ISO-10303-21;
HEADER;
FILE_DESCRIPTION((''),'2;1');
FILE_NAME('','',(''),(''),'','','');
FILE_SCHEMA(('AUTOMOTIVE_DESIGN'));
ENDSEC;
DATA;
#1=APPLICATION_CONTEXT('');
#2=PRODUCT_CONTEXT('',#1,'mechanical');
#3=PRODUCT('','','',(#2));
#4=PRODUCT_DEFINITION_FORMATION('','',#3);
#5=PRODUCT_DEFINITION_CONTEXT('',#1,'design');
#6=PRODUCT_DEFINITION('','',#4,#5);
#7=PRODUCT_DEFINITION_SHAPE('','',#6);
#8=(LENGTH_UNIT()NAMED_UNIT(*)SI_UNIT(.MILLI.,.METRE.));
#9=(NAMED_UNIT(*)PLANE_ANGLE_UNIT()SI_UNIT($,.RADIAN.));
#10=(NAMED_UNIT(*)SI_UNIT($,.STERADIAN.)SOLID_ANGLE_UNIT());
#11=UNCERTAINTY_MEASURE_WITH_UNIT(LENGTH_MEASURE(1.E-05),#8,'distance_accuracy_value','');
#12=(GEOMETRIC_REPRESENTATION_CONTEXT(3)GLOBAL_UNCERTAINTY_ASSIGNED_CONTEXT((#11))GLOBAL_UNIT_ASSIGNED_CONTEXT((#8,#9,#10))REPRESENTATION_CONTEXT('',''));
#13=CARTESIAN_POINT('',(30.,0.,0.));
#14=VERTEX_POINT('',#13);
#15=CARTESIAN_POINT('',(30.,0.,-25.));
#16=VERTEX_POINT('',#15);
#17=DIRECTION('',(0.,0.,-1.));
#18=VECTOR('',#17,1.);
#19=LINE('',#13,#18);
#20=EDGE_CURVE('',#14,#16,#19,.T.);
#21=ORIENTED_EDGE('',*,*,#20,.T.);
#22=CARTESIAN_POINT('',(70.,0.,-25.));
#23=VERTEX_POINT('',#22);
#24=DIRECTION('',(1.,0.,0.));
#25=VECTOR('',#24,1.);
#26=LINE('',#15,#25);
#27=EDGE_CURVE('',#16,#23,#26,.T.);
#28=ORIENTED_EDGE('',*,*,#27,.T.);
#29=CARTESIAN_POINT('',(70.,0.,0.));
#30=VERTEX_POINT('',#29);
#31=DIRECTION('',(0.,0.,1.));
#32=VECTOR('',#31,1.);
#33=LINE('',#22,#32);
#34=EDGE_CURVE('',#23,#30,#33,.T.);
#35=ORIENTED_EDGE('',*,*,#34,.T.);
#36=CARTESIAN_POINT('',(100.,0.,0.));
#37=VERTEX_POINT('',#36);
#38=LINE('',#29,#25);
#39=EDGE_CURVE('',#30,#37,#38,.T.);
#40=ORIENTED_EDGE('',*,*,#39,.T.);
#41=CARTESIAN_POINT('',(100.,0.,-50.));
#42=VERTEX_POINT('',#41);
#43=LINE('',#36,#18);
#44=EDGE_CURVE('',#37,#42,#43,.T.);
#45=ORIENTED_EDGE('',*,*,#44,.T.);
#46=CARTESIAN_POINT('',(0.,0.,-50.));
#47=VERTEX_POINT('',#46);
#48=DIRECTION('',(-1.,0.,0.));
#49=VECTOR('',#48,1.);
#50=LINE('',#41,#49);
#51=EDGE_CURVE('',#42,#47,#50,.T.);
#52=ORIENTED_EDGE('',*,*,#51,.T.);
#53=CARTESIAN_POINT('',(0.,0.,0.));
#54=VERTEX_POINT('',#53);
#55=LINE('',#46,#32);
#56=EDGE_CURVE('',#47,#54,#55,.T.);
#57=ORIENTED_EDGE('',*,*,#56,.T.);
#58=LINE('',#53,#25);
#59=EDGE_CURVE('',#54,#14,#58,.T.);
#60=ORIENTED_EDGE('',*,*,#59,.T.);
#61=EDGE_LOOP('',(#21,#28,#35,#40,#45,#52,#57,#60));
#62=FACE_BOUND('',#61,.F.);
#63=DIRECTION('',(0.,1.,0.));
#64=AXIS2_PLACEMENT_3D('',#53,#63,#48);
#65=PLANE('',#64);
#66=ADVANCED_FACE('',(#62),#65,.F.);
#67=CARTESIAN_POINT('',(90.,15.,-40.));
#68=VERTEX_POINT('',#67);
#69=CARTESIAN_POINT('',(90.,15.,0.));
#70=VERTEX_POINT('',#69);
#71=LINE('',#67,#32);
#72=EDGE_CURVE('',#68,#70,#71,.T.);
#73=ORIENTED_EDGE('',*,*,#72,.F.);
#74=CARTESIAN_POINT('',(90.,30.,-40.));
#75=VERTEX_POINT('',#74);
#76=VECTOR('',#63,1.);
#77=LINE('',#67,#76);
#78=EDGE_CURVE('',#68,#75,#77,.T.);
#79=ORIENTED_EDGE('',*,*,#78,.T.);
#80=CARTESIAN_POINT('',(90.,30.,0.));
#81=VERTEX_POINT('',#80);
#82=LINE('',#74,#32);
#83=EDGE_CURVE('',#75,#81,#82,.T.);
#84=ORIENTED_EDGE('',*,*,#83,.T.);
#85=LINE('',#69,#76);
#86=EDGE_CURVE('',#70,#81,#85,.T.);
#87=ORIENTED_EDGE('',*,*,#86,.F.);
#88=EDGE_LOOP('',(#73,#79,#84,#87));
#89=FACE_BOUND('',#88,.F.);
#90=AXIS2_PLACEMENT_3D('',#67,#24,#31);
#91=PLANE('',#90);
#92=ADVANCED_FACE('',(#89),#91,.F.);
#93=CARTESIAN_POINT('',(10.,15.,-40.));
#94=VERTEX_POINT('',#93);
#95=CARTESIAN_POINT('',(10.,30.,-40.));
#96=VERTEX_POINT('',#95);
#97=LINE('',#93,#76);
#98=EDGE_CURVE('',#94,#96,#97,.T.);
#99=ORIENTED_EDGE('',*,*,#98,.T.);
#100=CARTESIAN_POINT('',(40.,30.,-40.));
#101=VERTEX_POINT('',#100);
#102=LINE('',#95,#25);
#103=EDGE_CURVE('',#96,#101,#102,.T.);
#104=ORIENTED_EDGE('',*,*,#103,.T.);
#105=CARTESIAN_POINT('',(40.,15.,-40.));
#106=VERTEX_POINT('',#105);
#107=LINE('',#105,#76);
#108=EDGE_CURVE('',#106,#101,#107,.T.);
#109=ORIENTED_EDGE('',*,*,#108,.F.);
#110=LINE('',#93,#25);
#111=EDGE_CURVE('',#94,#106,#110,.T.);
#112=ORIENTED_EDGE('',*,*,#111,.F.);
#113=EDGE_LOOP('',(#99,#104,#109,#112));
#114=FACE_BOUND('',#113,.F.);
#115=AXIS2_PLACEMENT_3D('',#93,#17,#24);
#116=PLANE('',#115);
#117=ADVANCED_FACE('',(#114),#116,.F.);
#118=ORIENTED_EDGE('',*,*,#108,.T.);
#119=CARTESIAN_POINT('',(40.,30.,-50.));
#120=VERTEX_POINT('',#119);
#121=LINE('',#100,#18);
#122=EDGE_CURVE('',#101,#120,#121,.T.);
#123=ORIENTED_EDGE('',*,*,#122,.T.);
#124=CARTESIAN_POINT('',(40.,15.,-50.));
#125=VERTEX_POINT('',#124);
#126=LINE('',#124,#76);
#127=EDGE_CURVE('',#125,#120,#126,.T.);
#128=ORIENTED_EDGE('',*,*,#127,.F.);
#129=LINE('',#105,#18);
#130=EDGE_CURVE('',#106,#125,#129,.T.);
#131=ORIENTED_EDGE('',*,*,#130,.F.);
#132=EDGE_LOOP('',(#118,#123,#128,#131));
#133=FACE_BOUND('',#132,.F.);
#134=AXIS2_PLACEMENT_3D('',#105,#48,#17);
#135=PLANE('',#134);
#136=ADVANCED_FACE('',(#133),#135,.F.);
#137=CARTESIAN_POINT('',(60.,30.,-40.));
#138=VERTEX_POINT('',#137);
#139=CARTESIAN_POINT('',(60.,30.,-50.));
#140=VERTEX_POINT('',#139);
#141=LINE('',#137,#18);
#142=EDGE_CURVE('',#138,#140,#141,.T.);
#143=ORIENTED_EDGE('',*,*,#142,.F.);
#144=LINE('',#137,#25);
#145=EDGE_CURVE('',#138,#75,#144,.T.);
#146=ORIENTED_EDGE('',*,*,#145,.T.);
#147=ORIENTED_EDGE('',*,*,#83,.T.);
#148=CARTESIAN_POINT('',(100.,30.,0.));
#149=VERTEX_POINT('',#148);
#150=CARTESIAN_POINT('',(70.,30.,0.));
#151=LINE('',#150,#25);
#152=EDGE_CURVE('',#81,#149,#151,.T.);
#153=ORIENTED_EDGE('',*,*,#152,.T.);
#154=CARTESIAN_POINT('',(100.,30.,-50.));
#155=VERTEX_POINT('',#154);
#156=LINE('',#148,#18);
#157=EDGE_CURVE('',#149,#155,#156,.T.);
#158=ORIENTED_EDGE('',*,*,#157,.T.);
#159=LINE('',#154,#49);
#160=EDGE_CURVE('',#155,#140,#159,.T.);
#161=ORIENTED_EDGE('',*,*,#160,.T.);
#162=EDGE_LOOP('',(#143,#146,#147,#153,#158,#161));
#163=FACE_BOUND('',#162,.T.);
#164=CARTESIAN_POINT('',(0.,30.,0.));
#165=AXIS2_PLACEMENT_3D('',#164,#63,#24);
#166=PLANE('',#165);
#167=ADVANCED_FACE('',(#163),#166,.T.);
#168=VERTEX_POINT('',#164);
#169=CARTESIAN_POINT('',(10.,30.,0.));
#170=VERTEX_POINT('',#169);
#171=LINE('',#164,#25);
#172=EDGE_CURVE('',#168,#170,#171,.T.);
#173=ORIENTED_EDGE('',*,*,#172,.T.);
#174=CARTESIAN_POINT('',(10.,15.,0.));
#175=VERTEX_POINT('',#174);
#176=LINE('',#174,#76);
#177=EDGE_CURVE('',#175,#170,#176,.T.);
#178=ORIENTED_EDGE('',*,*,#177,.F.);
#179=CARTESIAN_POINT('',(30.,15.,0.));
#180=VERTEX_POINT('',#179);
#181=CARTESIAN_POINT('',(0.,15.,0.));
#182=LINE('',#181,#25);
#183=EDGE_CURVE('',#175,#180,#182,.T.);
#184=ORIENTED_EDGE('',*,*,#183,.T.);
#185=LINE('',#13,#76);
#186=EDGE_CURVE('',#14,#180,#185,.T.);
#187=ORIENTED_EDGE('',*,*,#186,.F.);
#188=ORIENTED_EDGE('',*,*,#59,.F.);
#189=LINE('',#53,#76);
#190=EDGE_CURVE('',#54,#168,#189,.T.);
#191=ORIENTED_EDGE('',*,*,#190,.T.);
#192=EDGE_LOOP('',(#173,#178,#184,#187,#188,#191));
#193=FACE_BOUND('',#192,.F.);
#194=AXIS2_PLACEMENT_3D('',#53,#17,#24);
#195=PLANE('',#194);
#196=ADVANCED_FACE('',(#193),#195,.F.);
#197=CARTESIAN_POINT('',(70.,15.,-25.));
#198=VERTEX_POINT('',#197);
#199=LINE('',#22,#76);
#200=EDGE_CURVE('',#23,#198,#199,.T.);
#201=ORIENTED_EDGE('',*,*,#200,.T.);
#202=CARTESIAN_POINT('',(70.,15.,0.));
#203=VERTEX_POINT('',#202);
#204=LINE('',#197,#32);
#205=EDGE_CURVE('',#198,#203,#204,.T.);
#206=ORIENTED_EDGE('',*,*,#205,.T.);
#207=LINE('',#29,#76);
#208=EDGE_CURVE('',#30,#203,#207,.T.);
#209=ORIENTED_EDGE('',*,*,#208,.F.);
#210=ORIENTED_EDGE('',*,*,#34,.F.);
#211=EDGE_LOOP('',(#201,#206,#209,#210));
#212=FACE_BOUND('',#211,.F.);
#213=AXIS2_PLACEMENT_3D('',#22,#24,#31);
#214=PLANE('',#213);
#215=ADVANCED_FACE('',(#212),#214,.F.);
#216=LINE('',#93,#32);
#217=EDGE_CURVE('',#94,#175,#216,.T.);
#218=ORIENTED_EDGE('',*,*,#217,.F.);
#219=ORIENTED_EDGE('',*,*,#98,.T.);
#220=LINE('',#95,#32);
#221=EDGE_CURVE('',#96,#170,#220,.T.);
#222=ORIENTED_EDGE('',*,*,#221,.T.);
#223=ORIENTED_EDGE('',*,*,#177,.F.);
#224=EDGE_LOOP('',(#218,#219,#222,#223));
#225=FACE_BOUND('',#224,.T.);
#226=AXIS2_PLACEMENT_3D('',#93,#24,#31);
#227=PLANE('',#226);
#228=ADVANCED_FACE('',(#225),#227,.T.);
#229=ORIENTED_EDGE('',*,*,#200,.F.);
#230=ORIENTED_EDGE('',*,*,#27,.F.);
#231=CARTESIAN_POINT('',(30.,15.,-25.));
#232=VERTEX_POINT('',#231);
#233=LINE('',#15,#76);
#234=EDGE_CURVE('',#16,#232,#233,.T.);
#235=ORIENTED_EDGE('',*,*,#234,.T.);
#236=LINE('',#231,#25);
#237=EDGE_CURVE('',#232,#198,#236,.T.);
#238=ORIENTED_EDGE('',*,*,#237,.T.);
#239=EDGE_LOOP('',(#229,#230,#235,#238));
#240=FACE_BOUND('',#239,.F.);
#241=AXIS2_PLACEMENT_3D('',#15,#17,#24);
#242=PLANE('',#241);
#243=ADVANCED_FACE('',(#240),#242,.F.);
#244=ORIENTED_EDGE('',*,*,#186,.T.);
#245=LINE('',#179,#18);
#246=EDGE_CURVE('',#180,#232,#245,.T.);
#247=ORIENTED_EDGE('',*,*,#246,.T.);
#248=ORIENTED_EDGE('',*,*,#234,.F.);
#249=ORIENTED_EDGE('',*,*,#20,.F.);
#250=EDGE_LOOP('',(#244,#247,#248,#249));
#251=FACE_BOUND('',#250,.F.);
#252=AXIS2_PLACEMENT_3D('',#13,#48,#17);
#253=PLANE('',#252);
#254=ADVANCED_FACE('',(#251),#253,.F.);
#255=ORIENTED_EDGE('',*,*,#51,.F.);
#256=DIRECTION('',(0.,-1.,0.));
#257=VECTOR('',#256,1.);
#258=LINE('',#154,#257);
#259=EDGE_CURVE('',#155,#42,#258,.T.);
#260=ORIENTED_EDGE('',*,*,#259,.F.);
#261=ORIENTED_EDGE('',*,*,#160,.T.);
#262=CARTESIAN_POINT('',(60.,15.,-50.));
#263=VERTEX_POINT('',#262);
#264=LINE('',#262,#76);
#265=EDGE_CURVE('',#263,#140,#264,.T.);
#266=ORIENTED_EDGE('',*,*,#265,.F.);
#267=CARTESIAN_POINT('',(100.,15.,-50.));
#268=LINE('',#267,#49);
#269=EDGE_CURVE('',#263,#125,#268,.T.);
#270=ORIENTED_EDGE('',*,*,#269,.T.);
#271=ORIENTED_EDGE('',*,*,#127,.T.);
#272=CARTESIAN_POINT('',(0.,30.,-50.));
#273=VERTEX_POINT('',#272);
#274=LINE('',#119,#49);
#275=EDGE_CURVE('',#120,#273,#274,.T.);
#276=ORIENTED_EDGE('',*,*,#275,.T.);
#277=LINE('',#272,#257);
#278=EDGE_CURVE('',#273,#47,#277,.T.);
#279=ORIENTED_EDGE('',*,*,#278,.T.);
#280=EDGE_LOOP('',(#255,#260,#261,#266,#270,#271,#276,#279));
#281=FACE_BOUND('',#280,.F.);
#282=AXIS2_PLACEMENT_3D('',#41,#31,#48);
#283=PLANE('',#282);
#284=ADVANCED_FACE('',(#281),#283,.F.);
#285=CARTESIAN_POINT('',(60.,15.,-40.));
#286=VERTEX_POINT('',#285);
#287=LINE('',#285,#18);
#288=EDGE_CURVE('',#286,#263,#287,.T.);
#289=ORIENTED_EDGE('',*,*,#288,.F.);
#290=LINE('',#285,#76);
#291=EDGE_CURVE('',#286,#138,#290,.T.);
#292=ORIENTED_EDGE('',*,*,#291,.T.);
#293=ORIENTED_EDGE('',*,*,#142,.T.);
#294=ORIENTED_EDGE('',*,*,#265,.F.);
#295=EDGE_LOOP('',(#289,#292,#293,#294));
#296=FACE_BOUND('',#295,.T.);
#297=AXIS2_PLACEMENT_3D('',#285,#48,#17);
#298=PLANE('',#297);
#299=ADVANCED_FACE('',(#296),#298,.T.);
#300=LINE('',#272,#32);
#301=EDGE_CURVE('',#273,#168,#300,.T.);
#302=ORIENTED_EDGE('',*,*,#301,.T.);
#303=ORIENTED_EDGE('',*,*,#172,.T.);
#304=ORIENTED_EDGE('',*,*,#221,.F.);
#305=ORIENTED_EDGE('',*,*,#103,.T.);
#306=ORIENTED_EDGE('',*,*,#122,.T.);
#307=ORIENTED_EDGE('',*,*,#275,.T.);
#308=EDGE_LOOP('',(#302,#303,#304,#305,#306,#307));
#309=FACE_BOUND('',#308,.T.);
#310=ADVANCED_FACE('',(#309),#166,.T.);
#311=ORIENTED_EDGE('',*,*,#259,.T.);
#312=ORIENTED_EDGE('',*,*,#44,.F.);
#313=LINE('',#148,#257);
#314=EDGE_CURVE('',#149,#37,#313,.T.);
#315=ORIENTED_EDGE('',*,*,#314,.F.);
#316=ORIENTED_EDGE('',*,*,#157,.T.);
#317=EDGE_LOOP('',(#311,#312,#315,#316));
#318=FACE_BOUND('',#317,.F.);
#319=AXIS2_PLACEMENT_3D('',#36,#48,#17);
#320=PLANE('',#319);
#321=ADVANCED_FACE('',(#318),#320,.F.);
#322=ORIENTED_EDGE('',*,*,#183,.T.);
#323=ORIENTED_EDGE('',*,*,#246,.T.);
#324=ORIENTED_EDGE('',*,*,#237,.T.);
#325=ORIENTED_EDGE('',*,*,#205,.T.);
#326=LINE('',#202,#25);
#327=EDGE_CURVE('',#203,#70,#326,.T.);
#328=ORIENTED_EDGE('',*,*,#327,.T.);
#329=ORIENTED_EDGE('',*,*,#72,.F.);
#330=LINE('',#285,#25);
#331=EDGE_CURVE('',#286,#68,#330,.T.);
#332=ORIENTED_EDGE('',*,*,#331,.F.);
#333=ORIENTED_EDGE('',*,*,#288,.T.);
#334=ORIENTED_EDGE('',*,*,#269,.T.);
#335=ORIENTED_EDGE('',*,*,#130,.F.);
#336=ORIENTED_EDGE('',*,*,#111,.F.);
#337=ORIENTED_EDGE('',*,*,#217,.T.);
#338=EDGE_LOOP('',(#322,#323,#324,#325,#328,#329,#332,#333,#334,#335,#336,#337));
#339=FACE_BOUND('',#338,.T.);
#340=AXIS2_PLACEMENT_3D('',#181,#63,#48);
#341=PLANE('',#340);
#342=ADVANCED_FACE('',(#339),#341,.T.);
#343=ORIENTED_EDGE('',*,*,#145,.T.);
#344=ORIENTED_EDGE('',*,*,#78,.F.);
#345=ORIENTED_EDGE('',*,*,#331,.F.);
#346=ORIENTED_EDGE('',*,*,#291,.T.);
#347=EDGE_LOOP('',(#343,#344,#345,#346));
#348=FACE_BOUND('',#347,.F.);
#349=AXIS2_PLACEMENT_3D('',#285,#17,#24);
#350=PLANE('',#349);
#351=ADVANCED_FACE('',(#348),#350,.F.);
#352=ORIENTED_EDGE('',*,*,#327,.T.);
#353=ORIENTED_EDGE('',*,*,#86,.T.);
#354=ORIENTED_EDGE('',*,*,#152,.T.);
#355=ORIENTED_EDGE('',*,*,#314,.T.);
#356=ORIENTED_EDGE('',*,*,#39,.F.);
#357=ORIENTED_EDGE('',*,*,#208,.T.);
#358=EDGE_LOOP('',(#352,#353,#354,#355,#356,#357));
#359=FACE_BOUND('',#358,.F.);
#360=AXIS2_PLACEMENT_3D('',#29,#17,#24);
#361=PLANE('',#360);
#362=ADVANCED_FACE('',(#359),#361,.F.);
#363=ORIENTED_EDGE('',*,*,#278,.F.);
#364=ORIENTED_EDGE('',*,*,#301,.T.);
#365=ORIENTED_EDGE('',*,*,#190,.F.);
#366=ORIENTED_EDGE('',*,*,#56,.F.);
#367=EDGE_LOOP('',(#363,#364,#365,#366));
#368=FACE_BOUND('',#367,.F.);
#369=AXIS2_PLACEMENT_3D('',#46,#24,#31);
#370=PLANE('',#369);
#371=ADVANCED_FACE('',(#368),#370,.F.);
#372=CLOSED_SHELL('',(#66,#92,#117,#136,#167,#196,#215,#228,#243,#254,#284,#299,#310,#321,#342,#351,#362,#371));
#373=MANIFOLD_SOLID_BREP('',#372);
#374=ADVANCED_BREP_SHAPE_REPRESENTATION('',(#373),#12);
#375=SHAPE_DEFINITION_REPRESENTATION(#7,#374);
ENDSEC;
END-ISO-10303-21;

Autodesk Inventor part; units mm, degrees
ref_plane "YZ Plane" through (0, 0, 0) normal (1, 0, 0) x (0, 1, 0)
ref_plane "XZ Plane" through (0, 0, 0) normal (0, 1, 0) x (-1, 0, 0)
ref_plane "XY Plane" through (0, 0, 0) normal (0, 0, 1) x (1, 0, 0)
sketch "Sketch1" plane through (0, 0, 0) normal (0, 1, 0) x (-1, 0, 0)
  point P0 (0, 0)
sketch "Sketch2" plane through (0, 0, 0) normal (0, 1, 0) x (-1, 0, 0)
  line L0 (0, 0) -> (-30, 0)
  line L1 (-30, 0) -> (-30, -25)
  line L2 (-30, -25) -> (-70, -25)
  line L3 (-70, -25) -> (-70, 0)
  line L4 (-70, 0) -> (-100, 0)
  line L5 (-100, 0) -> (-100, -50)
  line L6 (-100, -50) -> (0, -50)
  line L7 (0, -50) -> (0, 0)
  dimension "d0" = 30
  dimension "d1" = 25
  dimension "d2" = 40
extrude "Extrusion1" add sketch "Sketch2" along normal blind 15
sketch "Sketch3" plane through (0, 15, 0) normal (0, 1, 0) x (1, 0, 0)
  line L0 (0, 0) -> (10, 0)
  line L1 (0, 0) -> (30, 0) projected
  line L2 (10, 40) -> (10, 0)
  line L3 (10, 40) -> (40, 40)
  line L4 (40, 40) -> (40, 50)
  line L5 (0, 50) -> (0, 0) projected
  line L6 (40, 50) -> (0, 50)
  line L7 (0, 50) -> (0, 0)
  line L8 (100, 0) -> (100, 50) projected
  line L9 (100, 0) -> (100, 50)
  line L10 (100, 50) -> (60, 50)
  line L11 (100, 50) -> (0, 50) projected
  line L12 (60, 40) -> (60, 50)
  line L13 (60, 40) -> (90, 40)
  line L14 (90, 40) -> (90, 0)
  line L15 (70, 0) -> (100, 0) projected
  line L16 (100, 0) -> (90, 0)
extrude "Extrusion2" add sketch "Sketch3" along normal blind 15
properties part number "P3-5"
